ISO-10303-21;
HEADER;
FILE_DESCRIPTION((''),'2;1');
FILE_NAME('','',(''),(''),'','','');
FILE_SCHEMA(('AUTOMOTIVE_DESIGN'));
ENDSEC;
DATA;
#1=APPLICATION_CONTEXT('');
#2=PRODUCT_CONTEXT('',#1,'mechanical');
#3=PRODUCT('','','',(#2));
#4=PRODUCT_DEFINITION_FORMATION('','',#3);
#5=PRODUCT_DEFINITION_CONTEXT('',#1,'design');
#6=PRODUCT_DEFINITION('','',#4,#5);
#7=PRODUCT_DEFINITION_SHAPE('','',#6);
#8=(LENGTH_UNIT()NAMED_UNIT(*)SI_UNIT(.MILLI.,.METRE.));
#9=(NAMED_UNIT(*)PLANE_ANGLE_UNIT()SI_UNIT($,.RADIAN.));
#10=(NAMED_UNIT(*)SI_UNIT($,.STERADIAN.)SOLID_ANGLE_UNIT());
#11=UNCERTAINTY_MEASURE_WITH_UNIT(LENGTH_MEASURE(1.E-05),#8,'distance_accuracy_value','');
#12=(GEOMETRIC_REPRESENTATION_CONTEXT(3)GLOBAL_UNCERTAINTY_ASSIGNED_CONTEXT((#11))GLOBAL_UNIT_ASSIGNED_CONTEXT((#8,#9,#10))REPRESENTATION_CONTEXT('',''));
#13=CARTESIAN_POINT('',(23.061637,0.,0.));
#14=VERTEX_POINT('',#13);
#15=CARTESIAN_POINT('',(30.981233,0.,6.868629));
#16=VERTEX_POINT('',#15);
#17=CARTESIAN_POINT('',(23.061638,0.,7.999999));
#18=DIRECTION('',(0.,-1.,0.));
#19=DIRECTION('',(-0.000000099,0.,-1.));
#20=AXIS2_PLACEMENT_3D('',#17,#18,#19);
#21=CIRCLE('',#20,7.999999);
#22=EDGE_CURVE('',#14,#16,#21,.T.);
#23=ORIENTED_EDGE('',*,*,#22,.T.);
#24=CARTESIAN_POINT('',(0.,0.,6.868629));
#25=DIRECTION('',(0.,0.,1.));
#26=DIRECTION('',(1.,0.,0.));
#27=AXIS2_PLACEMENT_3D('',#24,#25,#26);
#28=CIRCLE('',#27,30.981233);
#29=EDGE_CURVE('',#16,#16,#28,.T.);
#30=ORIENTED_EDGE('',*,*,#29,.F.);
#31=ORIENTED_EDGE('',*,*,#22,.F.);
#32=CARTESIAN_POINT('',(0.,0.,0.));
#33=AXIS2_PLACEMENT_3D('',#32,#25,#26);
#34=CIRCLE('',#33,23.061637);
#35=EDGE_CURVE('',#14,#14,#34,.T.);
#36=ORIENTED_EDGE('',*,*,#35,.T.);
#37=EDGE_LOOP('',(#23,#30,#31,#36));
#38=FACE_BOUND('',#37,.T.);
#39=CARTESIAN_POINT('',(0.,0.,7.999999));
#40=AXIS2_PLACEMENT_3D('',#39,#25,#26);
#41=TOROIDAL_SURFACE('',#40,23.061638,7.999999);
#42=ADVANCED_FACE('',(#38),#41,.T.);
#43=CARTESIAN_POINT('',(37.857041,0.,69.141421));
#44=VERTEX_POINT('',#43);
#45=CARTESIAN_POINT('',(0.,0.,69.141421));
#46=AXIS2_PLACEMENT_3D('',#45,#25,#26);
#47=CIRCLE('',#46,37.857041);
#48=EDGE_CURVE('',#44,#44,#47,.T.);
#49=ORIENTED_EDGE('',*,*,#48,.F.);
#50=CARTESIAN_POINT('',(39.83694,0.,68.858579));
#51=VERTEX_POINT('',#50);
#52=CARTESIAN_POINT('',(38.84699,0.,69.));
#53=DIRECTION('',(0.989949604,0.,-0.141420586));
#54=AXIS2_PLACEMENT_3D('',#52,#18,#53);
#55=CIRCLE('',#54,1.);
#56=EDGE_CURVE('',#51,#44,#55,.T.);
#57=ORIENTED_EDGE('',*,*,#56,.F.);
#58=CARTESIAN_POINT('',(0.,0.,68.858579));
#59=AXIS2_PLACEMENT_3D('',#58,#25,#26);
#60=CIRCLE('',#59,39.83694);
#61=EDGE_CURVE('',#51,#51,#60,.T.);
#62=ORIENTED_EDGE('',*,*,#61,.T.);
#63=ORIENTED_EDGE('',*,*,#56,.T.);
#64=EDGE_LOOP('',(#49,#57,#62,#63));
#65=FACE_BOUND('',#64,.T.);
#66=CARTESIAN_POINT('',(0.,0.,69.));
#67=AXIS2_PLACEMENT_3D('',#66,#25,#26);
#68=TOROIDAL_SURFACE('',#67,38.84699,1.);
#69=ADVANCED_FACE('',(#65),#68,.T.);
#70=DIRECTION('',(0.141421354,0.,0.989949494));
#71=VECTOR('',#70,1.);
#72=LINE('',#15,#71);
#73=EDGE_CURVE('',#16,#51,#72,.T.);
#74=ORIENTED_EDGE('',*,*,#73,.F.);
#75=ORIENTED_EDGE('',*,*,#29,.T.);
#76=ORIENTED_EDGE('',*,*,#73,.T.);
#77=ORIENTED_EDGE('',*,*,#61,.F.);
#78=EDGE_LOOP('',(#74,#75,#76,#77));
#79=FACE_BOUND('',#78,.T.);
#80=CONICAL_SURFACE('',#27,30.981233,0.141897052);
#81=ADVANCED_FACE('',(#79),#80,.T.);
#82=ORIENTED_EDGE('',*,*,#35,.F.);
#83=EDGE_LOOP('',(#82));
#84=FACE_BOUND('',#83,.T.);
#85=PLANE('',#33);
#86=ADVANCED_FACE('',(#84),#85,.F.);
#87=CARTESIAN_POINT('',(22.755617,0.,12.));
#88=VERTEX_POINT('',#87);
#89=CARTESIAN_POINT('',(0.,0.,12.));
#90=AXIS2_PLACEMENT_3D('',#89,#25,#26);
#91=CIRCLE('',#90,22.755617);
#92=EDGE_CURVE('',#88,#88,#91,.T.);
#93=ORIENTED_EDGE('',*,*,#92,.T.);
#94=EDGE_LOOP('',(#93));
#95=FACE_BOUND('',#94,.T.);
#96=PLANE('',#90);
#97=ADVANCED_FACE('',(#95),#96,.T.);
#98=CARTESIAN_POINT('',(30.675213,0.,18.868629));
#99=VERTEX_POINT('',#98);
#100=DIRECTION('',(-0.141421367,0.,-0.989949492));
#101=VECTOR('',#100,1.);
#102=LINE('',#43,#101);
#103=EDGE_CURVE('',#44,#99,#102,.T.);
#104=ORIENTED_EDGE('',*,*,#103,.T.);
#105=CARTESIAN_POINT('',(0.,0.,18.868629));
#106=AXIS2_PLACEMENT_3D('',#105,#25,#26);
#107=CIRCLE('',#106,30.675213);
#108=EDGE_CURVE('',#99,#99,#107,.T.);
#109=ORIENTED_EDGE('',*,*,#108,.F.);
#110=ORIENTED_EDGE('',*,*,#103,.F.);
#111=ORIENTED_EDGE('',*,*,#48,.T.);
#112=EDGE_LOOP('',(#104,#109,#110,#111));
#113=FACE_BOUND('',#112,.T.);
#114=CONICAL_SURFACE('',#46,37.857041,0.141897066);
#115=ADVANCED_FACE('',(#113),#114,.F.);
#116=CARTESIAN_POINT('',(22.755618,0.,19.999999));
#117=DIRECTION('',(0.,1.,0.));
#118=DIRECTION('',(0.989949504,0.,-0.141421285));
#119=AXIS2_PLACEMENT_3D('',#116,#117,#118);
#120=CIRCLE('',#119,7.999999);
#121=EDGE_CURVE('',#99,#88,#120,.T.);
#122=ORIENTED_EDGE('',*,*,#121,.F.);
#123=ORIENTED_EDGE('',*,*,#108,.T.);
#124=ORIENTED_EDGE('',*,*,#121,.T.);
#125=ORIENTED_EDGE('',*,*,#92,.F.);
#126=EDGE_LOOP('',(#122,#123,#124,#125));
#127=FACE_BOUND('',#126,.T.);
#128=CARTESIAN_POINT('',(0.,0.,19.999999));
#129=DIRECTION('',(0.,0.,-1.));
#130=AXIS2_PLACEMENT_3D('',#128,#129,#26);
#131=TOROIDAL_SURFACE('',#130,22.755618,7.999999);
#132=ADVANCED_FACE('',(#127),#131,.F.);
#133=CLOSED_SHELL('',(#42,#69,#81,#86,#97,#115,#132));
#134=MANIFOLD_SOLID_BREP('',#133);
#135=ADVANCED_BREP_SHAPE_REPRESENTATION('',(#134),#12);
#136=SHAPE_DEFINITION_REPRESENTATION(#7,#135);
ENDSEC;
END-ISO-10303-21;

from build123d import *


with BuildPart() as f1:
    # F0 (on Front) → F1 (revolve)
    with BuildSketch(Plane.XZ):
        with BuildLine():
            Line((0, 12), (0, 0))
            Line((0, 0), (23.061637, 0))
            ThreePointArc((23.061637, 0), (28.303251, 1.956368), (30.981233, 6.868629))
            Line((30.981233, 6.868629), (39.83694, 68.858579))
            ThreePointArc((39.83694, 68.858579), (38.988412, 69.989949), (37.857041, 69.141421))
            Line((37.857041, 69.141421), (30.675213, 18.868629))
            ThreePointArc((30.675213, 18.868629), (27.997231, 13.956368), (22.755617, 12))
            Line((22.755617, 12), (0, 12))
        make_face()
    revolve(axis=Axis((0, 0, 45.796357), (0, 0, 1)))


solid = f1.part
